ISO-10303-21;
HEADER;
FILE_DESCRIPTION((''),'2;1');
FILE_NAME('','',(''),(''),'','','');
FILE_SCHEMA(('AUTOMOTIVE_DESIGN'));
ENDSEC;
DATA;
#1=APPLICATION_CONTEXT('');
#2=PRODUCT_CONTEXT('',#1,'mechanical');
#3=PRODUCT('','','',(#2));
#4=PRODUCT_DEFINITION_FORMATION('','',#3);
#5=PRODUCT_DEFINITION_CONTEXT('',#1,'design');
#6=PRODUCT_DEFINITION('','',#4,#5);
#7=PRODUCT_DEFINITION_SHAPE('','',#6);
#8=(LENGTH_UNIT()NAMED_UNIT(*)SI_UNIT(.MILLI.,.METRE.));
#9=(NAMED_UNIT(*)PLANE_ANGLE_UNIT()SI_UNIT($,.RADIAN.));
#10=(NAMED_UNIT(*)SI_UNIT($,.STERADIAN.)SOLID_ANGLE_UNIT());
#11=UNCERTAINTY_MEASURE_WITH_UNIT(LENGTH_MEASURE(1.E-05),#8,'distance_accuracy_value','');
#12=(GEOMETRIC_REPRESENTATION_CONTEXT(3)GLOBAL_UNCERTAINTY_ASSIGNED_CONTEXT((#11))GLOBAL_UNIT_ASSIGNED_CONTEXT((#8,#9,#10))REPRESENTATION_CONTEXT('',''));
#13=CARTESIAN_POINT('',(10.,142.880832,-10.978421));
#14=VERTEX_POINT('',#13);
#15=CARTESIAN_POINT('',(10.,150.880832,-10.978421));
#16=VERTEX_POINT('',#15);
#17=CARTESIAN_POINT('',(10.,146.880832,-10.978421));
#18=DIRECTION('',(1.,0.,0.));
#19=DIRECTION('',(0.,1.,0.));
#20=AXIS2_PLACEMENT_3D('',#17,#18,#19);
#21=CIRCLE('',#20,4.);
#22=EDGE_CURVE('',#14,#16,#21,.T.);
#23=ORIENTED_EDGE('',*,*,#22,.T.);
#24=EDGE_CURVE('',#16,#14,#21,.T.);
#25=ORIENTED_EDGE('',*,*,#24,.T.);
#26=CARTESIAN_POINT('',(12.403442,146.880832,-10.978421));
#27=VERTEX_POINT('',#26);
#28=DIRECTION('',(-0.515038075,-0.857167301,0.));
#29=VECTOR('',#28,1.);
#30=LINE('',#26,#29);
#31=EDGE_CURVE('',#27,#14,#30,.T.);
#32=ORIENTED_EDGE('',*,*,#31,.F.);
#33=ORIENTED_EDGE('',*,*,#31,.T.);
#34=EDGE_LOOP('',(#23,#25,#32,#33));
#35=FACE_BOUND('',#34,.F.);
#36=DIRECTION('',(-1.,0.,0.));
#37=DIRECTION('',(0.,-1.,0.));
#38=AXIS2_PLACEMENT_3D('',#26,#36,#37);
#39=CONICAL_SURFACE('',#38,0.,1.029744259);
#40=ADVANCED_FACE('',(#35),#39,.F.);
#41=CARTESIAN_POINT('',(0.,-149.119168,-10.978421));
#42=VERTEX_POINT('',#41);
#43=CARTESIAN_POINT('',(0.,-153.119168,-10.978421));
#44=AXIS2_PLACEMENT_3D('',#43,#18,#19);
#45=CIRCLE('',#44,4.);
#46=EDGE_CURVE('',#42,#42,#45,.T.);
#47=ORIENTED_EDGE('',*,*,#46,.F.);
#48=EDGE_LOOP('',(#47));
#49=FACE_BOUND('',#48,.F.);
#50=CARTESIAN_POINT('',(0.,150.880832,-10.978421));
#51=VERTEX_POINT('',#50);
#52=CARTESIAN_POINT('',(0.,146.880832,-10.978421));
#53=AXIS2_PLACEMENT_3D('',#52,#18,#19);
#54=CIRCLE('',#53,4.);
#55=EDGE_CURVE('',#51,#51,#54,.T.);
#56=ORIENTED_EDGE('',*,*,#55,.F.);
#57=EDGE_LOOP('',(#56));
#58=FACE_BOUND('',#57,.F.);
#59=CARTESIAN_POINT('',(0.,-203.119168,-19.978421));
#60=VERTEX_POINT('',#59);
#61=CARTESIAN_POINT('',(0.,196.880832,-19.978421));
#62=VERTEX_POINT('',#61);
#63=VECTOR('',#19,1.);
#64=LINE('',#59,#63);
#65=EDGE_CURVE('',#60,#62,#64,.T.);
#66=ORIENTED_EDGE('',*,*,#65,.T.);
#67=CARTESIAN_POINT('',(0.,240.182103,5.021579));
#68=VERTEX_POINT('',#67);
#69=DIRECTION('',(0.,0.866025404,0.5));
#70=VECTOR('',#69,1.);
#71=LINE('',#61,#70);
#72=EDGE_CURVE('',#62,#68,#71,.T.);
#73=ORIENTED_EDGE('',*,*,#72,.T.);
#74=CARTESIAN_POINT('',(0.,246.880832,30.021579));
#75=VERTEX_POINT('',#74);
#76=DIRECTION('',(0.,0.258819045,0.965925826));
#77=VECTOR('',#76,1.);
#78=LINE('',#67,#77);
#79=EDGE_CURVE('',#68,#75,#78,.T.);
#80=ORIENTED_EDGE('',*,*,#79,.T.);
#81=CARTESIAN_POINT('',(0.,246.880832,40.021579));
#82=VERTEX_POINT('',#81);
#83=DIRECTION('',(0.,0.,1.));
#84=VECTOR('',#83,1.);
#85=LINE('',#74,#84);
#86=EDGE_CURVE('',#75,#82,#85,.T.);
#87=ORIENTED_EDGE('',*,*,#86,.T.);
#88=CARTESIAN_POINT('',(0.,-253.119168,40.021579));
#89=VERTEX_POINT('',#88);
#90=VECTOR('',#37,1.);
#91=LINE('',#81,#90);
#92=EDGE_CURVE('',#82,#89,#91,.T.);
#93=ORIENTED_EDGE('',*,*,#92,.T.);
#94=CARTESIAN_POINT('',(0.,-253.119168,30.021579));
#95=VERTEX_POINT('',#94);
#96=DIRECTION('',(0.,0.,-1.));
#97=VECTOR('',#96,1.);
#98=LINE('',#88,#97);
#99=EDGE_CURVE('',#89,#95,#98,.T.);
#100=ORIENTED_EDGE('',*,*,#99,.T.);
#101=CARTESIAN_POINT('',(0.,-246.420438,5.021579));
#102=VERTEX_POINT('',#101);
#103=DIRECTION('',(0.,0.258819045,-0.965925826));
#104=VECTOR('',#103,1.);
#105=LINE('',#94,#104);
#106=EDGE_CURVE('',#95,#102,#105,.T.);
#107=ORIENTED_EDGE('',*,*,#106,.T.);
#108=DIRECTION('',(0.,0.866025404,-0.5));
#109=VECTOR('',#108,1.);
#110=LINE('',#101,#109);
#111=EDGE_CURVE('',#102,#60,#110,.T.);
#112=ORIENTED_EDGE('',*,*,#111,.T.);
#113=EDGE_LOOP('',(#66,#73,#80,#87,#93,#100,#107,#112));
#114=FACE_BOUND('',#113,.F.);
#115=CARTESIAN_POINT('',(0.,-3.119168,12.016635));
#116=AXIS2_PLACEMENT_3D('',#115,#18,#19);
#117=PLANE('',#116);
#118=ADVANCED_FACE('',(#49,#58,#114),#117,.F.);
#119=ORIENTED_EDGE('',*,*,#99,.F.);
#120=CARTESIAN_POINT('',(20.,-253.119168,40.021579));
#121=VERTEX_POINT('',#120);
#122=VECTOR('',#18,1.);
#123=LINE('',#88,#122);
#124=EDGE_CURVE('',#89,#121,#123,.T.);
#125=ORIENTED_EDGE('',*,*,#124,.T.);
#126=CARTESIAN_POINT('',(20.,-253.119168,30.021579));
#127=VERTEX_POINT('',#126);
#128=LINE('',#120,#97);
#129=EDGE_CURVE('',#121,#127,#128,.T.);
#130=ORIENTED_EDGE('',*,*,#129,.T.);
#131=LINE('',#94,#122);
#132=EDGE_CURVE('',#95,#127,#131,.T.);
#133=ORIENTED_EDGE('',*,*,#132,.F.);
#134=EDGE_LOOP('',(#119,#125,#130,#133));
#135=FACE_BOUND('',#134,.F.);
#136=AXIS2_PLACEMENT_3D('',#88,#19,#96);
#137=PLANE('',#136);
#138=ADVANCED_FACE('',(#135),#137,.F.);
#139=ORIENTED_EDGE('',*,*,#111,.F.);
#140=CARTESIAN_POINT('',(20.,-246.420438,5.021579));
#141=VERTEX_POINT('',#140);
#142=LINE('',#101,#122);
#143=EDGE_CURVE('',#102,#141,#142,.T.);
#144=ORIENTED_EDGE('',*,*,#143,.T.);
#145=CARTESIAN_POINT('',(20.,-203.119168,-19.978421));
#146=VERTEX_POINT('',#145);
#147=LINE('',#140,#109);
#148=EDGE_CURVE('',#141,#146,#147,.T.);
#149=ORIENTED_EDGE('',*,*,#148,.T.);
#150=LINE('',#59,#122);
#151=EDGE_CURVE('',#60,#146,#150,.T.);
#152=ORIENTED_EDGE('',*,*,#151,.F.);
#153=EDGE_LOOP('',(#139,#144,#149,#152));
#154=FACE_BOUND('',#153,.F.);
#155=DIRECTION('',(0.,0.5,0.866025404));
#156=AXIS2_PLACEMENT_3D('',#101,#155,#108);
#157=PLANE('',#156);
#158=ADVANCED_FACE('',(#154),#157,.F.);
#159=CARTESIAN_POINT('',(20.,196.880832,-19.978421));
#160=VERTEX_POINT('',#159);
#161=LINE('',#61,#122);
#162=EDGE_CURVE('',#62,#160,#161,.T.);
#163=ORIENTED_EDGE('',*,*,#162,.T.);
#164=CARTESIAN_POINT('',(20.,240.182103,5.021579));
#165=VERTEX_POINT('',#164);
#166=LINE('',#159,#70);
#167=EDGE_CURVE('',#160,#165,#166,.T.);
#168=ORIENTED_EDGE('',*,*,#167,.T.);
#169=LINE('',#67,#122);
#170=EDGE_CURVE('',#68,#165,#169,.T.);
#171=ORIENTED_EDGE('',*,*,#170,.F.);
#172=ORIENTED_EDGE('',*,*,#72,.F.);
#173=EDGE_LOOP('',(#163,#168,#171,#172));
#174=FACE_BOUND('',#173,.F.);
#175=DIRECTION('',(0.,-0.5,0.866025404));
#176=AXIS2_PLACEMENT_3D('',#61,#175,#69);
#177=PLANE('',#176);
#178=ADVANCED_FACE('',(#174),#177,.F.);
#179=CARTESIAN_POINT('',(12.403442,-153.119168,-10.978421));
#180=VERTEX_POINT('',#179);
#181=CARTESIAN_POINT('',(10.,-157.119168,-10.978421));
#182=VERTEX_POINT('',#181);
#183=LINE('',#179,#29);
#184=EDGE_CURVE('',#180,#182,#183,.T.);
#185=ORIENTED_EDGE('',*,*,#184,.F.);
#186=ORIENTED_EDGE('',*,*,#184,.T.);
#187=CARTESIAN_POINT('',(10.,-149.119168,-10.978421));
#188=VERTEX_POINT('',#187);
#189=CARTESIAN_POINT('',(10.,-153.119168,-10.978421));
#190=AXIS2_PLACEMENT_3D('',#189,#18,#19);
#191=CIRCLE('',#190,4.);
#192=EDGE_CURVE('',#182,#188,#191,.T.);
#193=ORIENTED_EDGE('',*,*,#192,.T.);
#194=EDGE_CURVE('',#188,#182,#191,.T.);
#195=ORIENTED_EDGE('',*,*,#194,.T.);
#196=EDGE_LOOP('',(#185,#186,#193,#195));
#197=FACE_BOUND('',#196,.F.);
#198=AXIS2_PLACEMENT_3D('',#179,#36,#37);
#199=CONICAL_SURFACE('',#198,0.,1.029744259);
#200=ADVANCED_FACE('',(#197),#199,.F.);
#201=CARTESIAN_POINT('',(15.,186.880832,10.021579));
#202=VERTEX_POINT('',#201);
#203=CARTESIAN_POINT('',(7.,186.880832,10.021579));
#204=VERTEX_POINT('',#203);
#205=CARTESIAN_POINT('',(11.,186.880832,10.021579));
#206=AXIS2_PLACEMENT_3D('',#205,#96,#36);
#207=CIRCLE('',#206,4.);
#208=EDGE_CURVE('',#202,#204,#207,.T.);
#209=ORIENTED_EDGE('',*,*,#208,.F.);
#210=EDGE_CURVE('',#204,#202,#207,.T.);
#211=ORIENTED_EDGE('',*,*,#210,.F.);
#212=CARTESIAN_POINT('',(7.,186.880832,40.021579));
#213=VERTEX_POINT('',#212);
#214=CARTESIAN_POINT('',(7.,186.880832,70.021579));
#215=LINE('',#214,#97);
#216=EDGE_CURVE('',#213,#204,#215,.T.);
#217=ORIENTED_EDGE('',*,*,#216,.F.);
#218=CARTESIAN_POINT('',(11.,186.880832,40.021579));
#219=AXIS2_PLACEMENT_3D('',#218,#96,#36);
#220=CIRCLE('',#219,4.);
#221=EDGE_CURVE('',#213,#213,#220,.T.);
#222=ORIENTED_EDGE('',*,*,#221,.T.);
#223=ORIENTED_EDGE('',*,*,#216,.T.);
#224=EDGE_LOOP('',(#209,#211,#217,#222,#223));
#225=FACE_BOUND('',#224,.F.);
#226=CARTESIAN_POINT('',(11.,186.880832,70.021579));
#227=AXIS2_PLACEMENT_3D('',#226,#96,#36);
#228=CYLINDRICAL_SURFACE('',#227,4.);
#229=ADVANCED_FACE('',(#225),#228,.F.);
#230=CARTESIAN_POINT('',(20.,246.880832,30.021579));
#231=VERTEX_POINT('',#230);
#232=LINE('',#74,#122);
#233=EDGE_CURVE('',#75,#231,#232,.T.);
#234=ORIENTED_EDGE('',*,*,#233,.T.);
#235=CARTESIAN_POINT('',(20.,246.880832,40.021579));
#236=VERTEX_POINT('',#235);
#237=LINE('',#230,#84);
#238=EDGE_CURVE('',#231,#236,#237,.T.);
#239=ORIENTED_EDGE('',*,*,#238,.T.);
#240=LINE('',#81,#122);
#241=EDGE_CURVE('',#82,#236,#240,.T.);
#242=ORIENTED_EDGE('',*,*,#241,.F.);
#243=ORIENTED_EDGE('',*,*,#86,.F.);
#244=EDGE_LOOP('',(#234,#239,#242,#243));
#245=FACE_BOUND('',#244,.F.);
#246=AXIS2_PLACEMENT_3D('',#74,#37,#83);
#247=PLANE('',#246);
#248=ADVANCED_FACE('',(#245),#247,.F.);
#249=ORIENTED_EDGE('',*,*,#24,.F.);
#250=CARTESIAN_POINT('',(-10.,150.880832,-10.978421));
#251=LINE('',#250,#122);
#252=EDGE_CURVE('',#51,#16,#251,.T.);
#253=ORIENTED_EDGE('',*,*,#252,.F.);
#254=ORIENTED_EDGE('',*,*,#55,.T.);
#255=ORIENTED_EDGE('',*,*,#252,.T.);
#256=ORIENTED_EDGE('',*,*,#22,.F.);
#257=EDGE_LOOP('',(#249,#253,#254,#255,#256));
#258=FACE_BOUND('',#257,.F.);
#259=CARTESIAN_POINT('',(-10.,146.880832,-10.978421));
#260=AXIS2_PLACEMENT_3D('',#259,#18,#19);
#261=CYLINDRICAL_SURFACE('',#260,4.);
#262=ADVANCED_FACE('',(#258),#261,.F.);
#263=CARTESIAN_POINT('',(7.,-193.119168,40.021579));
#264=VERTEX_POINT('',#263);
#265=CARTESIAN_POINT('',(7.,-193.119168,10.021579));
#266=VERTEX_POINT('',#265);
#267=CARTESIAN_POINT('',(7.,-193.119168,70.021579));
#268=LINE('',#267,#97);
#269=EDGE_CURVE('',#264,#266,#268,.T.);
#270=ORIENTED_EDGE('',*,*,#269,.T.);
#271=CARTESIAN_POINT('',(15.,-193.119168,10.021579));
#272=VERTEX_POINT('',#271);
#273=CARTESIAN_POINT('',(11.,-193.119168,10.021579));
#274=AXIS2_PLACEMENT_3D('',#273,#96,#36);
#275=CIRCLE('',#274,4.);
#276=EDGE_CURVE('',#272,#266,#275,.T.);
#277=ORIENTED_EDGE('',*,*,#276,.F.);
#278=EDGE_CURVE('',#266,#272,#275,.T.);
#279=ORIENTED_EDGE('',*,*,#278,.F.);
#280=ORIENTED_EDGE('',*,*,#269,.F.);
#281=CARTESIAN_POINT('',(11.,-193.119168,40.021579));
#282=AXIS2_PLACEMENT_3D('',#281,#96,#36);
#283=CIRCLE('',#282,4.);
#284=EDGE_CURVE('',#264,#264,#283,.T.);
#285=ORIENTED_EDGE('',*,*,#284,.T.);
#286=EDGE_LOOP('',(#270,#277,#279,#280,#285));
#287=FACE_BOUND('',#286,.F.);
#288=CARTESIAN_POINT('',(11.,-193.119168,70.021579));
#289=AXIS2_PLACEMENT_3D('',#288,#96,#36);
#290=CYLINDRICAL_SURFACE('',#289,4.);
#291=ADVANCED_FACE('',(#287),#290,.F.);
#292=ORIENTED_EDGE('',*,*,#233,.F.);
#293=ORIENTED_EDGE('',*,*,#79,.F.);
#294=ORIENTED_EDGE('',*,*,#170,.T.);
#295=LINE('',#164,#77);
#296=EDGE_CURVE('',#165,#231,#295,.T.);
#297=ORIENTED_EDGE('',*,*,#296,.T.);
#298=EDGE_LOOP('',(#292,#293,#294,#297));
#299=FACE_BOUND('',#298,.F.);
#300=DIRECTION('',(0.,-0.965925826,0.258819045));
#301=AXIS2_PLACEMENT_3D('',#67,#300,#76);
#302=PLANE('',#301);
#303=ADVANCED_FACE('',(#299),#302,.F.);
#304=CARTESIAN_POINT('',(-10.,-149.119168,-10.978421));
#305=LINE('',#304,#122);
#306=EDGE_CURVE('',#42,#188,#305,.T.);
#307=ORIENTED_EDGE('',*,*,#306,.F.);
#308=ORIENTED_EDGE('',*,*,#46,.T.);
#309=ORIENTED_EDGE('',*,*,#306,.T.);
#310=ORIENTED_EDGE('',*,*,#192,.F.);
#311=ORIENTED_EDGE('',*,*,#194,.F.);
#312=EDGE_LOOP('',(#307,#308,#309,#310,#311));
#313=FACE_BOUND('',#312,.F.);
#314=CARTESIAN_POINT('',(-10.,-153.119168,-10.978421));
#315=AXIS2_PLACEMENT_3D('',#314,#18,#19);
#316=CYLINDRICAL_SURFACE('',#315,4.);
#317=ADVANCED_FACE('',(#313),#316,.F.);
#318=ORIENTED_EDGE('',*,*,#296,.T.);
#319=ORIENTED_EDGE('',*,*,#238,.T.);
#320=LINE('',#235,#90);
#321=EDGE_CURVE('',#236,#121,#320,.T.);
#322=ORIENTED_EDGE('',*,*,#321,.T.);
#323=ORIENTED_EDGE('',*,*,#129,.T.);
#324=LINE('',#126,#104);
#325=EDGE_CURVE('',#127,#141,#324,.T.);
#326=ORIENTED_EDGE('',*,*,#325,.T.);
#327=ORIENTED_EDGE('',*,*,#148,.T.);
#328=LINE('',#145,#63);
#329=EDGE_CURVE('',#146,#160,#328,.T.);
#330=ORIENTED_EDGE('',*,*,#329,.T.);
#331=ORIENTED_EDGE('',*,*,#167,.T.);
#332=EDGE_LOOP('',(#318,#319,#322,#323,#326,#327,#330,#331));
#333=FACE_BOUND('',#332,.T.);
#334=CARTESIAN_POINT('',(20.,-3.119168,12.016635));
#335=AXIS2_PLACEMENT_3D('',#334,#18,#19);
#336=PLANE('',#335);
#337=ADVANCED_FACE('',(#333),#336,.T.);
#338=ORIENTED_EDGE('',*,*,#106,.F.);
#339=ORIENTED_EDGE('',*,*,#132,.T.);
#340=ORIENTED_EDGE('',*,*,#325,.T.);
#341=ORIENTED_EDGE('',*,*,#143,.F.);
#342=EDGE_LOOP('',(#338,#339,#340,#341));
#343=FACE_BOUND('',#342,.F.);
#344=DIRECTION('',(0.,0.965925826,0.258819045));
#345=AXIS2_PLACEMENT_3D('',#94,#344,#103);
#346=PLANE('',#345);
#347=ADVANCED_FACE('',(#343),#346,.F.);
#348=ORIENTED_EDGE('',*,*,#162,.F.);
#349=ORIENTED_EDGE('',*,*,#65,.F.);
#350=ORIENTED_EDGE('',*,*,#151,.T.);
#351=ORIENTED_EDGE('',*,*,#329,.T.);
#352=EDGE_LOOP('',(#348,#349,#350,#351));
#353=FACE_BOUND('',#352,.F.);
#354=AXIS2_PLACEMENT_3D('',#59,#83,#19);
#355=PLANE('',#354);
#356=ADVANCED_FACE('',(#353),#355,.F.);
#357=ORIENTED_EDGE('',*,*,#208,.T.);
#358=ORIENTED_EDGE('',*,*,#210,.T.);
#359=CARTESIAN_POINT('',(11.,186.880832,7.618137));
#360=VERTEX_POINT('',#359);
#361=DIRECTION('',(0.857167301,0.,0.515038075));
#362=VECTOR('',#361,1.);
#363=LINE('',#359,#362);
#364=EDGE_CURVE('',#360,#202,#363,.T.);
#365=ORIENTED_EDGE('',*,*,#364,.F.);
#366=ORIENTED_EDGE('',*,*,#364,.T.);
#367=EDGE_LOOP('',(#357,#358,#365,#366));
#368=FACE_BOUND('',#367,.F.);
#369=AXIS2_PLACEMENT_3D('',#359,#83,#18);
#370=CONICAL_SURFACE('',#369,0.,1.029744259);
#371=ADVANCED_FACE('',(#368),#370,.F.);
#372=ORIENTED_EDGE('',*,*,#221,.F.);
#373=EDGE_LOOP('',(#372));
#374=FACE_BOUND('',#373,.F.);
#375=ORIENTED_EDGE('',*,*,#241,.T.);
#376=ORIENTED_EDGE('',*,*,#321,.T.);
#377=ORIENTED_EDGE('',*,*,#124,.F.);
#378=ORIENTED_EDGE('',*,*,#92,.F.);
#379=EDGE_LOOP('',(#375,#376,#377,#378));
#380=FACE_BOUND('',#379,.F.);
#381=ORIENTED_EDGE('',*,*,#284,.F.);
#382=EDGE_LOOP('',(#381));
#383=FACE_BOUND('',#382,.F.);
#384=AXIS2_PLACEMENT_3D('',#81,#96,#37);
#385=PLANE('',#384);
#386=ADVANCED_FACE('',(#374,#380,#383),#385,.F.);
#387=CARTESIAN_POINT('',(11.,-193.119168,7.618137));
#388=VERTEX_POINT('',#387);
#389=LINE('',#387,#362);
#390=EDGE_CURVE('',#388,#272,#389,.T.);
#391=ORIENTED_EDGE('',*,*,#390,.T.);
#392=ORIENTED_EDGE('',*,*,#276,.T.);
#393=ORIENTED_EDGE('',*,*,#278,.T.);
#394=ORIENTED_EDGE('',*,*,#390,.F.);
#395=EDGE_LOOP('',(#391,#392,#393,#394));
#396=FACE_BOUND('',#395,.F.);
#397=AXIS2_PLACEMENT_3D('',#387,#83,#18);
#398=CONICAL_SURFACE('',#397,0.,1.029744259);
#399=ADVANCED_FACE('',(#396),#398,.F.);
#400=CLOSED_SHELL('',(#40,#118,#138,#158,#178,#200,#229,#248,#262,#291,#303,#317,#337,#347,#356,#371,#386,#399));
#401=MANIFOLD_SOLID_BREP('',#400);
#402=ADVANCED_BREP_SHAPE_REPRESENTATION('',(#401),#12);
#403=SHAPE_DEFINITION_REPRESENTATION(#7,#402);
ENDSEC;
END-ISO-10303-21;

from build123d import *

# Parameters (mm, degrees)
F1_DEPTH = 20
F4_D     = 8
F4_DEPTH = 30
F4_TIP   = 2.4034424761
F5_D     = 8
F5_DEPTH = 10
F5_TIP   = 2.4034424761


with BuildPart() as f1:
    # F0 (on Right) → F1 (new body)
    with BuildSketch(Plane.YZ):
        Polygon((246.8808323145, 30.0215791241), (246.8808323145, 40.0215791241), (-253.1191676855, 40.0215791241), (-253.1191676855, 30.0215791241), (-246.4204378747, 5.0215791241), (-203.1191676855, -19.9784208759), (196.8808323145, -19.9784208759), (240.1821025037, 5.0215791241), align=None)
    extrude(amount=F1_DEPTH)

    # F4
    with Locations(Plane.XY.offset(40.0215791241)):
        with Locations((11, 186.8808323145), (11, -193.1191676855)):
            Hole(F4_D / 2, depth=F4_DEPTH)
            with Locations((0, 0, -(F4_DEPTH + F4_TIP / 2))):  # 118° drill point
                Cone(0, F4_D / 2, F4_TIP, mode=Mode.SUBTRACT)

    # F5
    with Locations(Plane(origin=(0, 0, 0), x_dir=(0, -1, 0), z_dir=(-1, 0, 0))):
        with Locations((153.1191676855, -10.9784208759), (-146.8808323145, -10.9784208759)):
            Hole(F5_D / 2, depth=F5_DEPTH)
            with Locations((0, 0, -(F5_DEPTH + F5_TIP / 2))):  # 118° drill point
                Cone(0, F5_D / 2, F5_TIP, mode=Mode.SUBTRACT)


solid = f1.part
